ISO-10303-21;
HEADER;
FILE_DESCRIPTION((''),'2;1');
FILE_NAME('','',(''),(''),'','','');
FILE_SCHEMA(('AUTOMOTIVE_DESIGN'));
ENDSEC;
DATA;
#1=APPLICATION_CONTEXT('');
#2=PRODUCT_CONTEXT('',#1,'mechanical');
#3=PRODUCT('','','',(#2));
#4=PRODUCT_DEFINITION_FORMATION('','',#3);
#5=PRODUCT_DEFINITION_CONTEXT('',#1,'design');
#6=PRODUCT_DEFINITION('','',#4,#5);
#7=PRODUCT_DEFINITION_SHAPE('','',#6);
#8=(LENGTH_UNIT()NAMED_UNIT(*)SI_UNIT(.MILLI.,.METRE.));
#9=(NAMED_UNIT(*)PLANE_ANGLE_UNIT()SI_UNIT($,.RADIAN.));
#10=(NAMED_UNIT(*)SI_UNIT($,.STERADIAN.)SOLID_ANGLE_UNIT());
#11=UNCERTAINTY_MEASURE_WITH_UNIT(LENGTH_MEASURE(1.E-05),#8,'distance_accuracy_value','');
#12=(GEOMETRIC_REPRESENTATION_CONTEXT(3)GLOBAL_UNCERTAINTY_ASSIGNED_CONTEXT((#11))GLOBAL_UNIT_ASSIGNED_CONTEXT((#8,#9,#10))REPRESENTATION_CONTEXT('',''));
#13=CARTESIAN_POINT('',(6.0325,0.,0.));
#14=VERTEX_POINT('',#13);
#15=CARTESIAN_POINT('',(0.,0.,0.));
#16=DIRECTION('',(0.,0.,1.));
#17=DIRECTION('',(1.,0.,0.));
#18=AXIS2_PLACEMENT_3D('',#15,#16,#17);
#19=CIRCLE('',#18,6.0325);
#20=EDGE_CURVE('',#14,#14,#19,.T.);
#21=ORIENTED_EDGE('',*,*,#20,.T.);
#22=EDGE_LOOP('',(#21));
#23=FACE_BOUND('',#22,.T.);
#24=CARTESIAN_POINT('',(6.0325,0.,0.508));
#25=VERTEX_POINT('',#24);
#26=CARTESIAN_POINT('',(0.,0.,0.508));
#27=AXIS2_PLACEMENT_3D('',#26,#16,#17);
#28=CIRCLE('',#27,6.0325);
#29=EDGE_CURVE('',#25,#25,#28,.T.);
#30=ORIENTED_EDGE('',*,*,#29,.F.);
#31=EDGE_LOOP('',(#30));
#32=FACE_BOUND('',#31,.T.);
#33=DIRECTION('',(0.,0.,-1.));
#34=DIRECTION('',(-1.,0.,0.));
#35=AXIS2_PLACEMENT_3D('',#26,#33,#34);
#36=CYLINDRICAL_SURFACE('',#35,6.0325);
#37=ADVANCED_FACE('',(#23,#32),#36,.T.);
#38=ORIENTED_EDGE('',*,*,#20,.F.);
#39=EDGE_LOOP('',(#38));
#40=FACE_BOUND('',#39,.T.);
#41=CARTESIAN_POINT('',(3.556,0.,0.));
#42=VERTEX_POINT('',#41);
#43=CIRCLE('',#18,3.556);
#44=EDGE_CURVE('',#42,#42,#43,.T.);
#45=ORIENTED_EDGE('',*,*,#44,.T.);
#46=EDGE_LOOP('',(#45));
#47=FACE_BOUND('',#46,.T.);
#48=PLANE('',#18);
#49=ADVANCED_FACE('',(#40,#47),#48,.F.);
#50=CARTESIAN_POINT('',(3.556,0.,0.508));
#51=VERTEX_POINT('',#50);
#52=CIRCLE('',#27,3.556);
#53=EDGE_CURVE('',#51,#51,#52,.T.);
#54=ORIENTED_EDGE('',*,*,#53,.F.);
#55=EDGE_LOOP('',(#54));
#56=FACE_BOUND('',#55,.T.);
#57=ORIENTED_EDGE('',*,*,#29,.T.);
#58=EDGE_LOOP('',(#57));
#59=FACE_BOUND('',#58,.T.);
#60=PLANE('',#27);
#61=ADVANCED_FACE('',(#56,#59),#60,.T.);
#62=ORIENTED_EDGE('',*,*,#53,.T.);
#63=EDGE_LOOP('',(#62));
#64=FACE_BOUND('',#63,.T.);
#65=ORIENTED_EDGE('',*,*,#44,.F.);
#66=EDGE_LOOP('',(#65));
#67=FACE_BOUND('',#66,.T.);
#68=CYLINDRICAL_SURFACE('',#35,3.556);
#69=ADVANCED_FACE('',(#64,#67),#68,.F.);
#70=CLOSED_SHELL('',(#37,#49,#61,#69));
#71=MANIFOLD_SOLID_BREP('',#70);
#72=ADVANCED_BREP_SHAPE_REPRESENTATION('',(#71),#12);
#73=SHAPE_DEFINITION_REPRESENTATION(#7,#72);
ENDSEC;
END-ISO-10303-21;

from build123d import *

# Parameters (mm, degrees)
SKETCH1_R          = 6.0325
SKETCH1_R_2        = 3.556
BASE_EXTRUDE_DEPTH = 0.508


with BuildPart() as part:
    # Sketch1 → Base-Extrude (new body)
    with BuildSketch(Plane.XY):
        Circle(SKETCH1_R)
        Circle(SKETCH1_R_2, mode=Mode.SUBTRACT)
    extrude(amount=BASE_EXTRUDE_DEPTH)


solid = part.part
